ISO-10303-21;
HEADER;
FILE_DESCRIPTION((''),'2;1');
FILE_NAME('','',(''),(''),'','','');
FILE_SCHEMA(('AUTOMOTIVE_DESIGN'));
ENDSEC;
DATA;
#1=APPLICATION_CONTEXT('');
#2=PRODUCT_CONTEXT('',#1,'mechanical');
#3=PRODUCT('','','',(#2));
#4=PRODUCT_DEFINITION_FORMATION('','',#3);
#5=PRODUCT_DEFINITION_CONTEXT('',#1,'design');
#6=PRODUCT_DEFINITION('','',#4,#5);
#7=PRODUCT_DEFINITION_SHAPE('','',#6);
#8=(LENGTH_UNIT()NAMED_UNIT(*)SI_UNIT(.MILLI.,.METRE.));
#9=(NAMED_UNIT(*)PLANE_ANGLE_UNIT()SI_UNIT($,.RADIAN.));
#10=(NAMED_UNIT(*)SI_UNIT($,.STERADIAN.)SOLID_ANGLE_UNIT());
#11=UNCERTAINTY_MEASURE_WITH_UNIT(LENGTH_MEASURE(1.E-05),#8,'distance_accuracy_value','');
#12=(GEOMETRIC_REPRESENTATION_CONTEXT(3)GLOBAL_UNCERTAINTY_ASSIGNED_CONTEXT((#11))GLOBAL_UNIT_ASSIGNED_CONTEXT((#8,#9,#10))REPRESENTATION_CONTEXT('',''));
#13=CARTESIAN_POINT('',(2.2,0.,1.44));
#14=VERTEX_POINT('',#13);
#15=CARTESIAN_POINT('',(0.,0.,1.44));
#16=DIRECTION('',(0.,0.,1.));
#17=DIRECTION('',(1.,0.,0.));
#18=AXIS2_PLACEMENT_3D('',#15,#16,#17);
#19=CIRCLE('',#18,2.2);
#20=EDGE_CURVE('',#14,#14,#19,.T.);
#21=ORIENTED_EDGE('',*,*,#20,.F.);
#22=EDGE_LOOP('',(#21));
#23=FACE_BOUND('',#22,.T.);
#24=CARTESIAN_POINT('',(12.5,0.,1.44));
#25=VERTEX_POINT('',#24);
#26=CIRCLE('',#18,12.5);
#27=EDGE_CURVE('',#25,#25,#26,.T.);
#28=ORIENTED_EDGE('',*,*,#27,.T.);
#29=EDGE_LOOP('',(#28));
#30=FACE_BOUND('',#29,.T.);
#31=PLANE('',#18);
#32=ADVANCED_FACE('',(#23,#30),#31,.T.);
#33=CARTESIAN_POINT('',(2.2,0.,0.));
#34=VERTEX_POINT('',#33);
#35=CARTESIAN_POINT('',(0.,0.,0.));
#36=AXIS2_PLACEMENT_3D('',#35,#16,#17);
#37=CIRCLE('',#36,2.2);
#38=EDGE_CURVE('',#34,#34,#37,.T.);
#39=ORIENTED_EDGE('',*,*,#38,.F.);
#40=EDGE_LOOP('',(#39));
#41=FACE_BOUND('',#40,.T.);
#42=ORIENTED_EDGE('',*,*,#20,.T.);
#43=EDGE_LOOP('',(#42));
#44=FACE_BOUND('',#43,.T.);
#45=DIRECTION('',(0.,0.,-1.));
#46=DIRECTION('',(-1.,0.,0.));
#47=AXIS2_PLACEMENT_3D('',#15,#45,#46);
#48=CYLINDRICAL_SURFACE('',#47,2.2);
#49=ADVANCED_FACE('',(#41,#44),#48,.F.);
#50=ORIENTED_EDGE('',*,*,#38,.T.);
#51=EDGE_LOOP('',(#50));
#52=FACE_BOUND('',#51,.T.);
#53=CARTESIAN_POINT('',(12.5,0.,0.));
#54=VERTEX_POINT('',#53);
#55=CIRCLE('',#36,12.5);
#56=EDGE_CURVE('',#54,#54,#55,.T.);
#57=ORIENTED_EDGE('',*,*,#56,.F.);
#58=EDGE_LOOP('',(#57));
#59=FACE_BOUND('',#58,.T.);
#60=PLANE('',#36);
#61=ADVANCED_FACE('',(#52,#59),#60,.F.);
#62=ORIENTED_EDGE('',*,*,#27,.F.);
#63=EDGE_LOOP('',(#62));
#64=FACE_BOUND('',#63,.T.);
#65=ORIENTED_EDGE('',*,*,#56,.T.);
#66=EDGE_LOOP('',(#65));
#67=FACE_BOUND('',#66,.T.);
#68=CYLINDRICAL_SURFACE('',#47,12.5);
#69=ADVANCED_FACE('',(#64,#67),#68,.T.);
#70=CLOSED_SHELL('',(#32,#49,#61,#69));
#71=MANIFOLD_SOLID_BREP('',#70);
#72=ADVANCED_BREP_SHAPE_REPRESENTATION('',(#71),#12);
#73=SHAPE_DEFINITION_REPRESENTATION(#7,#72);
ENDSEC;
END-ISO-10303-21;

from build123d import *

# Parameters (mm, degrees)
SKETCH1_R           = 12.5
SKETCH1_R_2         = 2.2
BOSS_EXTRUDE1_DEPTH = 1.44


with BuildPart() as part:
    # Sketch1 → Boss-Extrude1 (new body)
    with BuildSketch(Plane.XY):
        Circle(SKETCH1_R)
        Circle(SKETCH1_R_2, mode=Mode.SUBTRACT)
    extrude(amount=BOSS_EXTRUDE1_DEPTH)


solid = part.part
